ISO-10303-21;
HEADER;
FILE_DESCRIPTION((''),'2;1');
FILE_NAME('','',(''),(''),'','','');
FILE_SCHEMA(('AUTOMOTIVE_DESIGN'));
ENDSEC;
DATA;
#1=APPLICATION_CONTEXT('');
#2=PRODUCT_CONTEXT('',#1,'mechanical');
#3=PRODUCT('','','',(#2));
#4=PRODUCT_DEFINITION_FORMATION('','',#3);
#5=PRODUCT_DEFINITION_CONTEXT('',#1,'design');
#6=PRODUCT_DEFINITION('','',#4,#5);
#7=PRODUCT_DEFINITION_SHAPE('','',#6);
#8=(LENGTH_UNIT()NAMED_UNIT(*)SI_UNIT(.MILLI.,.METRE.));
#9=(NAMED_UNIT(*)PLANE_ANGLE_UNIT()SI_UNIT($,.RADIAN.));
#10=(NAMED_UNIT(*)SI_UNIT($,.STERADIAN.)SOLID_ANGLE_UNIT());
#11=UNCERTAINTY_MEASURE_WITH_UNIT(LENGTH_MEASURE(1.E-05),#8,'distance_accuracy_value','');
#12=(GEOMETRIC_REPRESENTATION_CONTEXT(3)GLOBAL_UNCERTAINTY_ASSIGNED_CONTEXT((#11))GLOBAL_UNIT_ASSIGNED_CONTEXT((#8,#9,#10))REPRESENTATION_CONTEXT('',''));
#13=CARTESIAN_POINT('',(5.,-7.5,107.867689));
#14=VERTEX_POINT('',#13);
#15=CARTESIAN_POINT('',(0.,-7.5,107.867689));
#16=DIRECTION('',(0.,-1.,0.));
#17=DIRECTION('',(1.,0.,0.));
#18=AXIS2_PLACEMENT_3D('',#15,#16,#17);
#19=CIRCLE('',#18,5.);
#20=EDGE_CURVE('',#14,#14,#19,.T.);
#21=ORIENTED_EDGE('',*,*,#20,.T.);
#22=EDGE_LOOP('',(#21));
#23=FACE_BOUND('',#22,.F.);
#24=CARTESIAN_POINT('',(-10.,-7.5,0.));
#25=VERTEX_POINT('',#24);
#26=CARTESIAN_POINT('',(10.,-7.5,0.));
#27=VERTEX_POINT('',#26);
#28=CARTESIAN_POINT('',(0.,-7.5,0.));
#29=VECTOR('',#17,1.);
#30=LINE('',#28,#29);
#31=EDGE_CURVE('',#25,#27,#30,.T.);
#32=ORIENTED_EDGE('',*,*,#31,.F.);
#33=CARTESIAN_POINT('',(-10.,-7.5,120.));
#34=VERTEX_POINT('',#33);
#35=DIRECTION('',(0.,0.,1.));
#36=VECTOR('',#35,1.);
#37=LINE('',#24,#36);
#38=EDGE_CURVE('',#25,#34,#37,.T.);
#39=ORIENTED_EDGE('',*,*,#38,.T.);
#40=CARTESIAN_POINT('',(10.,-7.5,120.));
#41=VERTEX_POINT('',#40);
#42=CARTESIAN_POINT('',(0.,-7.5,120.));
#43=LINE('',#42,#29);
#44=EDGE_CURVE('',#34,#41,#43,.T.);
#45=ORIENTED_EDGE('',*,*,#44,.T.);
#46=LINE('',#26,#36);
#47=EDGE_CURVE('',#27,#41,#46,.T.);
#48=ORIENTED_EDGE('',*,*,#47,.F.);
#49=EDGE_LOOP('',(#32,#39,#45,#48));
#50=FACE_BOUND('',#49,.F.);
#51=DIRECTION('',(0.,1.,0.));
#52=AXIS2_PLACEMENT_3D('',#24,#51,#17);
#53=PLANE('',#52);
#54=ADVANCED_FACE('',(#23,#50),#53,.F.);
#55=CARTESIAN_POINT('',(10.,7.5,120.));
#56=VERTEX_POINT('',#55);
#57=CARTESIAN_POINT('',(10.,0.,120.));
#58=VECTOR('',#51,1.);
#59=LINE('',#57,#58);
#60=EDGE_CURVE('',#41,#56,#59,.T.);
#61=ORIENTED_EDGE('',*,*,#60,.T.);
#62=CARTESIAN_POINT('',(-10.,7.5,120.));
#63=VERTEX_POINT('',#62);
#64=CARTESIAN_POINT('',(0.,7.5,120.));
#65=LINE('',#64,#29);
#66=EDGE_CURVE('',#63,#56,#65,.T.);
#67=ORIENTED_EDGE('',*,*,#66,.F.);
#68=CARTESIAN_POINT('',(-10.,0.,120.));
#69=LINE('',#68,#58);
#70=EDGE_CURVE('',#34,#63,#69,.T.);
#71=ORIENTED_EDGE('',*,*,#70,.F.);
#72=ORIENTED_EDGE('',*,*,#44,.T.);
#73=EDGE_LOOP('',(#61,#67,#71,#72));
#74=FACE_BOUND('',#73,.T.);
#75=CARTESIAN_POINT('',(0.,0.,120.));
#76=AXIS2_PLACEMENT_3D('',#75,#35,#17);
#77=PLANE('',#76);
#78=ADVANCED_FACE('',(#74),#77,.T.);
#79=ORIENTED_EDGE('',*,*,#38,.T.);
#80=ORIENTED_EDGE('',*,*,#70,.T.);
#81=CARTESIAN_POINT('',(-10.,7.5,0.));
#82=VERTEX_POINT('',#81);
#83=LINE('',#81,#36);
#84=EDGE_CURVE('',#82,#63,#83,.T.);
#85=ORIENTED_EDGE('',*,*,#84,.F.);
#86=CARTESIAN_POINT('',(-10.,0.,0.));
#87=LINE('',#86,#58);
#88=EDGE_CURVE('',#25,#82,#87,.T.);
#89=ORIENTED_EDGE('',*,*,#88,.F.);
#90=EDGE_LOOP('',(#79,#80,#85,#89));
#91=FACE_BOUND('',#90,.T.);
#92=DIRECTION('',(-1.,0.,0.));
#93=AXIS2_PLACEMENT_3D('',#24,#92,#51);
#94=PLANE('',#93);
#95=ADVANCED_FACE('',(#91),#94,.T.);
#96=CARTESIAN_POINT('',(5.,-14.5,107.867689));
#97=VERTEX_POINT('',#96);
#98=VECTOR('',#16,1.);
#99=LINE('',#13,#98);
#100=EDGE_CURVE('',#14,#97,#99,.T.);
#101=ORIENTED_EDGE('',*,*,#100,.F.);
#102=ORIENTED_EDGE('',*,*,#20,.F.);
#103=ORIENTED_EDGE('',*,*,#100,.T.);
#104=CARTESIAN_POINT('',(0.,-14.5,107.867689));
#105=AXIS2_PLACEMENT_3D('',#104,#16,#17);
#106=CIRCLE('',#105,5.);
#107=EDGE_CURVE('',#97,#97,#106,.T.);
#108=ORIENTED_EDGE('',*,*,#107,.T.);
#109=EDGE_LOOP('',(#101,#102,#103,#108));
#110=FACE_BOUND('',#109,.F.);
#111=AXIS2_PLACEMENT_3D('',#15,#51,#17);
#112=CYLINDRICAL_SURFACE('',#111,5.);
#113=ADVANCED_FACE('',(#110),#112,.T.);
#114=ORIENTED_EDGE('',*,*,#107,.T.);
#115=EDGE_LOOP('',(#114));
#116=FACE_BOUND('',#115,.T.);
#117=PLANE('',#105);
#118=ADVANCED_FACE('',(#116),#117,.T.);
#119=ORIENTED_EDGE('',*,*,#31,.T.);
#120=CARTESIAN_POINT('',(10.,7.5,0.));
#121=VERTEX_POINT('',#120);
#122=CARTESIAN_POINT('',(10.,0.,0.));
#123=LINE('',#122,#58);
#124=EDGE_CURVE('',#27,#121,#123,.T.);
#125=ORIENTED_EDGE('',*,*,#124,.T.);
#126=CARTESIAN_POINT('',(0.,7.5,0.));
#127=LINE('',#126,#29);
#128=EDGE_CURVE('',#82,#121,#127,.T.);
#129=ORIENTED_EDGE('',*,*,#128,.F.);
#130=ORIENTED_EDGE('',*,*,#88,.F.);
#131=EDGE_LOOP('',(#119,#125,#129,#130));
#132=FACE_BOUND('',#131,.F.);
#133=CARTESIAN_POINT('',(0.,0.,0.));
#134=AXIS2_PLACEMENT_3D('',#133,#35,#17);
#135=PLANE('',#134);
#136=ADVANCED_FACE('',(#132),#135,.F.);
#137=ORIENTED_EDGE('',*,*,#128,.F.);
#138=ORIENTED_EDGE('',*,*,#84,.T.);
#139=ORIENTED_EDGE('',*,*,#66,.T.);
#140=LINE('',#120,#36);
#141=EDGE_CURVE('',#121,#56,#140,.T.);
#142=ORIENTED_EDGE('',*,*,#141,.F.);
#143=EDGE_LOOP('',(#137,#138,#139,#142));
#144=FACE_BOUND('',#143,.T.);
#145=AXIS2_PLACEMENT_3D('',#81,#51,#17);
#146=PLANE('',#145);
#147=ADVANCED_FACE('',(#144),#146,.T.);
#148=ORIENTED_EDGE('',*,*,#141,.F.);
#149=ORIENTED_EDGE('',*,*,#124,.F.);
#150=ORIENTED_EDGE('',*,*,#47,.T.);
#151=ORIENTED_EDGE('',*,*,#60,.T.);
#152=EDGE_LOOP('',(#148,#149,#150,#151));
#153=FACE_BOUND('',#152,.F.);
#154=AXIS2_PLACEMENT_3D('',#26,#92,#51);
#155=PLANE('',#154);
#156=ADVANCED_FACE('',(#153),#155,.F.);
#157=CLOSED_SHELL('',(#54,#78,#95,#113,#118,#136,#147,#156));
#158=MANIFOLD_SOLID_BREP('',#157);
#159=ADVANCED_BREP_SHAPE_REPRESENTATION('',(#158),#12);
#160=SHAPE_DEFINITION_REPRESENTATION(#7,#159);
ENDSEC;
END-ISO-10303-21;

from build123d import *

# Parameters (mm, degrees)
F0_W     = 20
F0_H     = 15
F1_DEPTH = 120
F2_R     = 5
F3_DEPTH = 7


with BuildPart() as f1:
    # F0 (on Top) → F1 (new body)
    with BuildSketch(Plane.XY):
        Rectangle(F0_W, F0_H)
    extrude(amount=F1_DEPTH)

    # F2 (on face) → F3 (join)
    with BuildSketch(Plane.XZ.offset(7.5)):
        with Locations((0, 107.8676886048)):
            Circle(F2_R)
    extrude(amount=F3_DEPTH)


solid = f1.part
